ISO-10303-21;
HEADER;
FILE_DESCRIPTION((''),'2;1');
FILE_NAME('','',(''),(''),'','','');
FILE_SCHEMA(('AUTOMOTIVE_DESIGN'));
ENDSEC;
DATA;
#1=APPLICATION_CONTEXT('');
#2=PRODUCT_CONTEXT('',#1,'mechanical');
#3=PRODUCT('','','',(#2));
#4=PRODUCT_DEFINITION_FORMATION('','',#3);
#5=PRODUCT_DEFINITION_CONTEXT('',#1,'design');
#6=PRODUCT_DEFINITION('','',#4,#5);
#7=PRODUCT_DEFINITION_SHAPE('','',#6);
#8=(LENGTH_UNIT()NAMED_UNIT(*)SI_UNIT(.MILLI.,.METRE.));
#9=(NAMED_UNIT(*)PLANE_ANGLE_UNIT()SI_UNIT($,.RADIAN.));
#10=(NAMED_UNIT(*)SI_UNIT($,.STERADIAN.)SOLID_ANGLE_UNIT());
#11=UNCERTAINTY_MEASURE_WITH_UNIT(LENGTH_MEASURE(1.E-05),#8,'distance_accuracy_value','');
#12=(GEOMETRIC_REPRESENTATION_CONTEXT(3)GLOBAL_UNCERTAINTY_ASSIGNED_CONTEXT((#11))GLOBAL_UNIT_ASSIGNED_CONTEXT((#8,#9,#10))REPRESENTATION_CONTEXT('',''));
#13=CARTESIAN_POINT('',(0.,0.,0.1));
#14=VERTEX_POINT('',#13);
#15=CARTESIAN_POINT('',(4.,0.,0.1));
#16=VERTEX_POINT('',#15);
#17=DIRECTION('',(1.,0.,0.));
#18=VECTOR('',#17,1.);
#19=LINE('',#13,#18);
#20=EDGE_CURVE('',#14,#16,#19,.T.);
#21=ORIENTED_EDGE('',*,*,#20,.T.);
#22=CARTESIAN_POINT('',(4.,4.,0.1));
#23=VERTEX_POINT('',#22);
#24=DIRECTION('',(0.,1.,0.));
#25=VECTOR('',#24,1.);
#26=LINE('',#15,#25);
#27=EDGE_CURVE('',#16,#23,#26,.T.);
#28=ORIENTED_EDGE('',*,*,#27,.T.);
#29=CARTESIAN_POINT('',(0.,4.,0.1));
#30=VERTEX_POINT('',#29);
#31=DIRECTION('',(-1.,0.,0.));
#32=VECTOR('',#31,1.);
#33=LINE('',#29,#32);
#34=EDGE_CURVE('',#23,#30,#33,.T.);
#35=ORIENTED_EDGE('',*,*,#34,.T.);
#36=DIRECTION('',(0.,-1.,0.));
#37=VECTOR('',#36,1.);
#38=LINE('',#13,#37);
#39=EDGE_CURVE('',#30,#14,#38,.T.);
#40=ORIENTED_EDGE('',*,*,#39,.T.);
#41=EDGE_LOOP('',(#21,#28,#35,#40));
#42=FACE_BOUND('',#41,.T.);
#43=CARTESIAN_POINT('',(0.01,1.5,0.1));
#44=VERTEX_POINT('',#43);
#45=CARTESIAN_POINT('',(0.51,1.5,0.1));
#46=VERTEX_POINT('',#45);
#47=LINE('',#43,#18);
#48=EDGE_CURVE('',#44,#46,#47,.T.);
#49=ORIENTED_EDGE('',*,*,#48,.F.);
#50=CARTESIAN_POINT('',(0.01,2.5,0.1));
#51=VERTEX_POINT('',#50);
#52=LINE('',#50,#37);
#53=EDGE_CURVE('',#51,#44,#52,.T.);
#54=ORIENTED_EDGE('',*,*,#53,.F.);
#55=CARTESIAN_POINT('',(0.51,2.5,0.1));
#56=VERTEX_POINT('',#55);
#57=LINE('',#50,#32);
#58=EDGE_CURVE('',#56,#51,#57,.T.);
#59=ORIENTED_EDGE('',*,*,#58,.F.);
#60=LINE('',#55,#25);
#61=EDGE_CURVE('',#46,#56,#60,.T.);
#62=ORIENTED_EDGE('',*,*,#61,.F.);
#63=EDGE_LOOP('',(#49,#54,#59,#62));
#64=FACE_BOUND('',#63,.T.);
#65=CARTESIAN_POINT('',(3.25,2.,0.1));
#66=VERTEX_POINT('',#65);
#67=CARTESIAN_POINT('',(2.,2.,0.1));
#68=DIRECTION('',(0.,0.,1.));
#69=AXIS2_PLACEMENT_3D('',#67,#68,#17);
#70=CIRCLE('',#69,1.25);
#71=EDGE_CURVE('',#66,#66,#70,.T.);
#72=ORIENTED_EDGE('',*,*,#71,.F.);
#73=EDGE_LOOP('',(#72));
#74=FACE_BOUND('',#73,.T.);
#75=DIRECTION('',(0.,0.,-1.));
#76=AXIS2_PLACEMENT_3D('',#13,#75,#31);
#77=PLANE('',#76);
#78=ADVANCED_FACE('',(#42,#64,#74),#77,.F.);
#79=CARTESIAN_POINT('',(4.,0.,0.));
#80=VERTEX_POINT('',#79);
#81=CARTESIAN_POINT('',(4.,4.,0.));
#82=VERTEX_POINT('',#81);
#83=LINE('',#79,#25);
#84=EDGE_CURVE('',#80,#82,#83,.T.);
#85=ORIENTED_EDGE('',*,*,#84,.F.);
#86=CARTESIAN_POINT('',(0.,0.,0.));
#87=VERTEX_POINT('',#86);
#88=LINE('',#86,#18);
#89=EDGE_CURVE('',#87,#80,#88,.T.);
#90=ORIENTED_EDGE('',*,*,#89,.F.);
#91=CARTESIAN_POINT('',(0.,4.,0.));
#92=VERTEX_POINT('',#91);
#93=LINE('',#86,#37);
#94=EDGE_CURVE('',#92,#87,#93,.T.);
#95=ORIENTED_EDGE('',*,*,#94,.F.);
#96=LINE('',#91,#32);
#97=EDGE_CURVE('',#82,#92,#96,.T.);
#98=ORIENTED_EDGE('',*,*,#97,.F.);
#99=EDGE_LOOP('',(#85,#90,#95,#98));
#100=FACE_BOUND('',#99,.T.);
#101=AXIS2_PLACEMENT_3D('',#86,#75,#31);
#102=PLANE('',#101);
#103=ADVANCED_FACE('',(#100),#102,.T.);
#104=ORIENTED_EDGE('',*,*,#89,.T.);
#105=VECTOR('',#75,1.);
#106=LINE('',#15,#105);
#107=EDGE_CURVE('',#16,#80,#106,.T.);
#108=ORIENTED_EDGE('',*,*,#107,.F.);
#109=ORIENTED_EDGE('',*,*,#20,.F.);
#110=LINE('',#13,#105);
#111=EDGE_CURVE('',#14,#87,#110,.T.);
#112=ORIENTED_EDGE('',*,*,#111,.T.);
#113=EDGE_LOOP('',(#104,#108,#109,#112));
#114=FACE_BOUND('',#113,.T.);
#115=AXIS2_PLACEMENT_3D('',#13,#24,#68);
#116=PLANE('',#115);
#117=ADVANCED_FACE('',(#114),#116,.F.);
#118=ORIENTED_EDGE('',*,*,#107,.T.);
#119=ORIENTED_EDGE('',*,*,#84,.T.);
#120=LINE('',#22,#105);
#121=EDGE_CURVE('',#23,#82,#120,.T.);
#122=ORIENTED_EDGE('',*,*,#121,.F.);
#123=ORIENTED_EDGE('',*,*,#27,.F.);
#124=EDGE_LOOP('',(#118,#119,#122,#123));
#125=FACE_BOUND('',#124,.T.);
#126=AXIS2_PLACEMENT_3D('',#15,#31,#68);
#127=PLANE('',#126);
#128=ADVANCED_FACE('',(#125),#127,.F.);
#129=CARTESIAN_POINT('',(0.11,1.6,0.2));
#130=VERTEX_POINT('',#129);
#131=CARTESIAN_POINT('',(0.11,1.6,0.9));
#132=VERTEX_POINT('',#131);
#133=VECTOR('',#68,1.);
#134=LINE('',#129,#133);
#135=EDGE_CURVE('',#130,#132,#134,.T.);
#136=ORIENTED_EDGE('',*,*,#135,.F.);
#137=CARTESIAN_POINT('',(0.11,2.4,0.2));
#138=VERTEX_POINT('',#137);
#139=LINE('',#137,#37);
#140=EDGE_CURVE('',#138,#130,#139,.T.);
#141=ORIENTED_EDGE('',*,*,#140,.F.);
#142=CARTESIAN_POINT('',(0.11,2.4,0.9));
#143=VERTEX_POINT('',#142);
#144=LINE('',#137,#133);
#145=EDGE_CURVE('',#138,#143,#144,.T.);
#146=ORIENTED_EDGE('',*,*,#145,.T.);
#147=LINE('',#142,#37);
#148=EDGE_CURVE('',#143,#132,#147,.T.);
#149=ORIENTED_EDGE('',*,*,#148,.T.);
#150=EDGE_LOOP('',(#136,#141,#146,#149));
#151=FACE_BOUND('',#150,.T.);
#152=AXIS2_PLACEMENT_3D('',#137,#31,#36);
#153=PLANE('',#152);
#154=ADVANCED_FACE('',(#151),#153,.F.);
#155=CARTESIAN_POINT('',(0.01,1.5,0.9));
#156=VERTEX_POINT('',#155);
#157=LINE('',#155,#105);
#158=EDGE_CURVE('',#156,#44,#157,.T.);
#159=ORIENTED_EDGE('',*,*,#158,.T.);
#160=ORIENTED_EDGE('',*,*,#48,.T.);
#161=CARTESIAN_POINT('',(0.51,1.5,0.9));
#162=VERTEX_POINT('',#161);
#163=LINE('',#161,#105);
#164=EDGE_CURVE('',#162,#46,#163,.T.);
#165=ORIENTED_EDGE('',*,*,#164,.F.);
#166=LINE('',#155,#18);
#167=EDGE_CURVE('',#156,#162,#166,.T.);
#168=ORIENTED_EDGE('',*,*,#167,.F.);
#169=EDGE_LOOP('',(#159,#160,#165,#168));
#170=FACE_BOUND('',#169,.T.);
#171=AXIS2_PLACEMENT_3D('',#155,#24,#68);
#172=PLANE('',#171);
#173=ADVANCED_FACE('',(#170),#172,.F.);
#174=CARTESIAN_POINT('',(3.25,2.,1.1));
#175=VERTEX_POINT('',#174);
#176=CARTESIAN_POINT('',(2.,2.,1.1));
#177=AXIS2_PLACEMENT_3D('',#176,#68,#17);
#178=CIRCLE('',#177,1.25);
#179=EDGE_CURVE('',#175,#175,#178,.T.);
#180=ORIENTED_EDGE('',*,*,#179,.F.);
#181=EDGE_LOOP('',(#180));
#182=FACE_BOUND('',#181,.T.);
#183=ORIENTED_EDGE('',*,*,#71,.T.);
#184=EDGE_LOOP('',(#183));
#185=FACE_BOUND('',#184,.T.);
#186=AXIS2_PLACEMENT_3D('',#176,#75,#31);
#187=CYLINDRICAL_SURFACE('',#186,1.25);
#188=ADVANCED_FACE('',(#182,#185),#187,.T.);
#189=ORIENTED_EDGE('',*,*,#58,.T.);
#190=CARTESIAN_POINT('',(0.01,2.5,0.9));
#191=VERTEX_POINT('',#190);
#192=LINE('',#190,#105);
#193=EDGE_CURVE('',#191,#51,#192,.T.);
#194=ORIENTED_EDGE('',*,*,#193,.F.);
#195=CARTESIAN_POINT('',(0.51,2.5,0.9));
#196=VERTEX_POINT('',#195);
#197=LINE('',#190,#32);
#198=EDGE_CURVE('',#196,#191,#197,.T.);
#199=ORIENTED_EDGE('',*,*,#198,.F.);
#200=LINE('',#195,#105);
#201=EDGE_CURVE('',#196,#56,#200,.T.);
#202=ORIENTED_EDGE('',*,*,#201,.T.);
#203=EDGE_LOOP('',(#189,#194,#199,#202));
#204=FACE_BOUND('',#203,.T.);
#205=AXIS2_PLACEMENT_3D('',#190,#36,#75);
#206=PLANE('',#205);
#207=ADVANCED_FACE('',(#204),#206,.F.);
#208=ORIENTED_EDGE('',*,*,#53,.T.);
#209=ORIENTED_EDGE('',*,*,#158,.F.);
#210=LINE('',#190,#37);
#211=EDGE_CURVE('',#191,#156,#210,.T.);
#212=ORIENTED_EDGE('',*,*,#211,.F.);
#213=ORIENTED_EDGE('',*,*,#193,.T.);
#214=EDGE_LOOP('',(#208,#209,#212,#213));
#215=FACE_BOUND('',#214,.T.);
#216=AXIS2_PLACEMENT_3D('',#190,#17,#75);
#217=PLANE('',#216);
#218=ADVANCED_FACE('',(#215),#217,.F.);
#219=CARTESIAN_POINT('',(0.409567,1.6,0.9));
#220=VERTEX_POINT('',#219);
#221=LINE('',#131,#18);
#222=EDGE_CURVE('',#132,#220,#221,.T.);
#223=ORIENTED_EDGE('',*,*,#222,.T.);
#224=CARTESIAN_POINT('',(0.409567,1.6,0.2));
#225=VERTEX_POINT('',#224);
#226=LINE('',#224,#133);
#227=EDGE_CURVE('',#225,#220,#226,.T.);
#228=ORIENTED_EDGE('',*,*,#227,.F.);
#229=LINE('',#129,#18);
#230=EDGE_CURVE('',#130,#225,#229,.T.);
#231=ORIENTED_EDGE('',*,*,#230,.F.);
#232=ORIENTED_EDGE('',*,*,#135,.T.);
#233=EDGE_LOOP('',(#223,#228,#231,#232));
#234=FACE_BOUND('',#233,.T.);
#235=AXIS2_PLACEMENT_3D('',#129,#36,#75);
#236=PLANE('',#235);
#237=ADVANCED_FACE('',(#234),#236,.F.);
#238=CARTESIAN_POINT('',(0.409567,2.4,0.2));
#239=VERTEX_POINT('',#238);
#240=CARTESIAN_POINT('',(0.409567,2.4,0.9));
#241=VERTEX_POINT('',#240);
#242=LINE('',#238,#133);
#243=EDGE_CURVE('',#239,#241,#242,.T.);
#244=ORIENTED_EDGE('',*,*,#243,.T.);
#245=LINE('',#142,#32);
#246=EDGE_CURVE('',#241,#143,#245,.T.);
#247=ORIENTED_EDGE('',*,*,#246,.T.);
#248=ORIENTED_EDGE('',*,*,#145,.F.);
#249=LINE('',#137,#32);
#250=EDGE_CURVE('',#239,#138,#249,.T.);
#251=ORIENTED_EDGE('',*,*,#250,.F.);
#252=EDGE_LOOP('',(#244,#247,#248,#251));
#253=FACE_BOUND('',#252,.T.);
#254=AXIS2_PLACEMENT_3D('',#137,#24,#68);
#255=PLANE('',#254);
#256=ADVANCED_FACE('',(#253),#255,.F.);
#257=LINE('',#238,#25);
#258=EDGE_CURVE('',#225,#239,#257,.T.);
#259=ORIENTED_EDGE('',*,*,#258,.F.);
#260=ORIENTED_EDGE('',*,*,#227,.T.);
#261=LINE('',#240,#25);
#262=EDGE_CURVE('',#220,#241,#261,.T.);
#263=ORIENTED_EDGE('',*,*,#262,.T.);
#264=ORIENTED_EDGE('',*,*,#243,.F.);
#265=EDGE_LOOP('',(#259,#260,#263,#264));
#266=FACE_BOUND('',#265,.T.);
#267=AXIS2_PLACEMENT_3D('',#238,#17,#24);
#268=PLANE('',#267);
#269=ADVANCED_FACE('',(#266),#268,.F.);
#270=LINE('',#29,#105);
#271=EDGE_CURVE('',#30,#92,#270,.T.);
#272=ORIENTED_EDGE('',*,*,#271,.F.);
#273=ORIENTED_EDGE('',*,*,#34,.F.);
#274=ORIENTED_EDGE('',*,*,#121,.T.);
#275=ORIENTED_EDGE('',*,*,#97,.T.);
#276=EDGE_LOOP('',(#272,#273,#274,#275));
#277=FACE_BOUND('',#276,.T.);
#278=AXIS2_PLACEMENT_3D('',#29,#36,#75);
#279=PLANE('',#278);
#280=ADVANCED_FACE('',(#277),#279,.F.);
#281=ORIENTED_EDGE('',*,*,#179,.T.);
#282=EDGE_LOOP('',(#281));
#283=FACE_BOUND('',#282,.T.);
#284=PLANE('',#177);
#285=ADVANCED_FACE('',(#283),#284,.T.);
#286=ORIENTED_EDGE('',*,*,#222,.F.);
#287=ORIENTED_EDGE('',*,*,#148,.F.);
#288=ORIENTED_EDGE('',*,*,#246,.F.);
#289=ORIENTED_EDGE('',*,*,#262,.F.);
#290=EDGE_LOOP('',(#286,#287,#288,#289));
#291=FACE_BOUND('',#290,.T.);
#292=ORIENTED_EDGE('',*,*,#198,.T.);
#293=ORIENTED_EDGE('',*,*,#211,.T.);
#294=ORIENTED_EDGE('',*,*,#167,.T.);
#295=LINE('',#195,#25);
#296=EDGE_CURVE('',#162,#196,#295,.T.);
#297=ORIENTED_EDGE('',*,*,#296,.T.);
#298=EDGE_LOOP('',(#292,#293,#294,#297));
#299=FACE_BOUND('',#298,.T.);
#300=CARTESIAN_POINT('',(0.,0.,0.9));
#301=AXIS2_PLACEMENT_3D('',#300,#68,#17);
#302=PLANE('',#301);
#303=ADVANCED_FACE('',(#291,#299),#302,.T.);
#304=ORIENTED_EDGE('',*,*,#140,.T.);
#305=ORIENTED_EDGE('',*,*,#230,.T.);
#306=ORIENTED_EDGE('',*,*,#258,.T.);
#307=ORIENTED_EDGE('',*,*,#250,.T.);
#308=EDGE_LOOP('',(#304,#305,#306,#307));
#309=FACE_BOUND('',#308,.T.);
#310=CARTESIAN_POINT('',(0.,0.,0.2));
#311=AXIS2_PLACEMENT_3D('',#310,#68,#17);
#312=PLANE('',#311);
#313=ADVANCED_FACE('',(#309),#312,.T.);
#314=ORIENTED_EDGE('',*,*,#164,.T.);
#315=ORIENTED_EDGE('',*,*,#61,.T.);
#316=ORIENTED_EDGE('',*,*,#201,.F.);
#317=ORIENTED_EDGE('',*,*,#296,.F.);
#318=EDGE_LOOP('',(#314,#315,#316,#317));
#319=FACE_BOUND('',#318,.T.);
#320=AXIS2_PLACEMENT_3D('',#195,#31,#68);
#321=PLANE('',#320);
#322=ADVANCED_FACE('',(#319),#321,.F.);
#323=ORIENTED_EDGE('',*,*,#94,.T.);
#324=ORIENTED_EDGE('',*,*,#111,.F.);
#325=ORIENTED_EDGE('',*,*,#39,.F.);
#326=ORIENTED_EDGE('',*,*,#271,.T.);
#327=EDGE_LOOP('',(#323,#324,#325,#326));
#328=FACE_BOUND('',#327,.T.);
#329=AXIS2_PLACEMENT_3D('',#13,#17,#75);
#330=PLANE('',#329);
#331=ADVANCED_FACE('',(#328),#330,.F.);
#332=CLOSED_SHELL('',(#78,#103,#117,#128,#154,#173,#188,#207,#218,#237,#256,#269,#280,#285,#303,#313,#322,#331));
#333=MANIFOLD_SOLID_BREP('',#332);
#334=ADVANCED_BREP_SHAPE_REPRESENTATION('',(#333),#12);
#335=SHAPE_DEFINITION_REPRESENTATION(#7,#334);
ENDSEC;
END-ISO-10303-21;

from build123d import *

# Parameters (mm, degrees)
ESQUISSE1_W             = 4
ESQUISSE1_H             = 4
BOSS_EXTRU_1_DEPTH      = 0.1
ESQUISSE2_R             = 1.25
BOSS_EXTRU_2_DEPTH      = 1
ESQUISSE4_W             = 0.5
ESQUISSE4_H             = 1
BOSS_EXTRU_3_DEPTH      = 0.8
ESQUISSE5_W             = 0.299566549
ESQUISSE5_H             = 0.8
ENL_V_MAT_EXTRU_1_DEPTH = 0.7


with BuildPart() as part:
    # Esquisse1 → Boss.-Extru.1 (new body)
    with BuildSketch(Plane.XY):
        with Locations((2, 2)):
            Rectangle(ESQUISSE1_W, ESQUISSE1_H)
    extrude(amount=BOSS_EXTRU_1_DEPTH)

    # Esquisse2 → Boss.-Extru.2 (add)
    with BuildSketch(Plane.XY.offset(0.1)):
        with Locations((2, 2)):
            Circle(ESQUISSE2_R)
    extrude(amount=BOSS_EXTRU_2_DEPTH)

    # Esquisse4 → Boss.-Extru.3 (add)
    with BuildSketch(Plane.XY.offset(0.1)):
        with Locations((0.26, 2)):
            Rectangle(ESQUISSE4_W, ESQUISSE4_H)
    extrude(amount=BOSS_EXTRU_3_DEPTH)

    # Esquisse5 → Enlèv. mat.-Extru.1 (cut)
    with BuildSketch(Plane.XY.offset(0.9)):
        with Locations((0.259783274, 2)):
            Rectangle(ESQUISSE5_W, ESQUISSE5_H)
    extrude(amount=-ENL_V_MAT_EXTRU_1_DEPTH, mode=Mode.SUBTRACT)


solid = part.part
